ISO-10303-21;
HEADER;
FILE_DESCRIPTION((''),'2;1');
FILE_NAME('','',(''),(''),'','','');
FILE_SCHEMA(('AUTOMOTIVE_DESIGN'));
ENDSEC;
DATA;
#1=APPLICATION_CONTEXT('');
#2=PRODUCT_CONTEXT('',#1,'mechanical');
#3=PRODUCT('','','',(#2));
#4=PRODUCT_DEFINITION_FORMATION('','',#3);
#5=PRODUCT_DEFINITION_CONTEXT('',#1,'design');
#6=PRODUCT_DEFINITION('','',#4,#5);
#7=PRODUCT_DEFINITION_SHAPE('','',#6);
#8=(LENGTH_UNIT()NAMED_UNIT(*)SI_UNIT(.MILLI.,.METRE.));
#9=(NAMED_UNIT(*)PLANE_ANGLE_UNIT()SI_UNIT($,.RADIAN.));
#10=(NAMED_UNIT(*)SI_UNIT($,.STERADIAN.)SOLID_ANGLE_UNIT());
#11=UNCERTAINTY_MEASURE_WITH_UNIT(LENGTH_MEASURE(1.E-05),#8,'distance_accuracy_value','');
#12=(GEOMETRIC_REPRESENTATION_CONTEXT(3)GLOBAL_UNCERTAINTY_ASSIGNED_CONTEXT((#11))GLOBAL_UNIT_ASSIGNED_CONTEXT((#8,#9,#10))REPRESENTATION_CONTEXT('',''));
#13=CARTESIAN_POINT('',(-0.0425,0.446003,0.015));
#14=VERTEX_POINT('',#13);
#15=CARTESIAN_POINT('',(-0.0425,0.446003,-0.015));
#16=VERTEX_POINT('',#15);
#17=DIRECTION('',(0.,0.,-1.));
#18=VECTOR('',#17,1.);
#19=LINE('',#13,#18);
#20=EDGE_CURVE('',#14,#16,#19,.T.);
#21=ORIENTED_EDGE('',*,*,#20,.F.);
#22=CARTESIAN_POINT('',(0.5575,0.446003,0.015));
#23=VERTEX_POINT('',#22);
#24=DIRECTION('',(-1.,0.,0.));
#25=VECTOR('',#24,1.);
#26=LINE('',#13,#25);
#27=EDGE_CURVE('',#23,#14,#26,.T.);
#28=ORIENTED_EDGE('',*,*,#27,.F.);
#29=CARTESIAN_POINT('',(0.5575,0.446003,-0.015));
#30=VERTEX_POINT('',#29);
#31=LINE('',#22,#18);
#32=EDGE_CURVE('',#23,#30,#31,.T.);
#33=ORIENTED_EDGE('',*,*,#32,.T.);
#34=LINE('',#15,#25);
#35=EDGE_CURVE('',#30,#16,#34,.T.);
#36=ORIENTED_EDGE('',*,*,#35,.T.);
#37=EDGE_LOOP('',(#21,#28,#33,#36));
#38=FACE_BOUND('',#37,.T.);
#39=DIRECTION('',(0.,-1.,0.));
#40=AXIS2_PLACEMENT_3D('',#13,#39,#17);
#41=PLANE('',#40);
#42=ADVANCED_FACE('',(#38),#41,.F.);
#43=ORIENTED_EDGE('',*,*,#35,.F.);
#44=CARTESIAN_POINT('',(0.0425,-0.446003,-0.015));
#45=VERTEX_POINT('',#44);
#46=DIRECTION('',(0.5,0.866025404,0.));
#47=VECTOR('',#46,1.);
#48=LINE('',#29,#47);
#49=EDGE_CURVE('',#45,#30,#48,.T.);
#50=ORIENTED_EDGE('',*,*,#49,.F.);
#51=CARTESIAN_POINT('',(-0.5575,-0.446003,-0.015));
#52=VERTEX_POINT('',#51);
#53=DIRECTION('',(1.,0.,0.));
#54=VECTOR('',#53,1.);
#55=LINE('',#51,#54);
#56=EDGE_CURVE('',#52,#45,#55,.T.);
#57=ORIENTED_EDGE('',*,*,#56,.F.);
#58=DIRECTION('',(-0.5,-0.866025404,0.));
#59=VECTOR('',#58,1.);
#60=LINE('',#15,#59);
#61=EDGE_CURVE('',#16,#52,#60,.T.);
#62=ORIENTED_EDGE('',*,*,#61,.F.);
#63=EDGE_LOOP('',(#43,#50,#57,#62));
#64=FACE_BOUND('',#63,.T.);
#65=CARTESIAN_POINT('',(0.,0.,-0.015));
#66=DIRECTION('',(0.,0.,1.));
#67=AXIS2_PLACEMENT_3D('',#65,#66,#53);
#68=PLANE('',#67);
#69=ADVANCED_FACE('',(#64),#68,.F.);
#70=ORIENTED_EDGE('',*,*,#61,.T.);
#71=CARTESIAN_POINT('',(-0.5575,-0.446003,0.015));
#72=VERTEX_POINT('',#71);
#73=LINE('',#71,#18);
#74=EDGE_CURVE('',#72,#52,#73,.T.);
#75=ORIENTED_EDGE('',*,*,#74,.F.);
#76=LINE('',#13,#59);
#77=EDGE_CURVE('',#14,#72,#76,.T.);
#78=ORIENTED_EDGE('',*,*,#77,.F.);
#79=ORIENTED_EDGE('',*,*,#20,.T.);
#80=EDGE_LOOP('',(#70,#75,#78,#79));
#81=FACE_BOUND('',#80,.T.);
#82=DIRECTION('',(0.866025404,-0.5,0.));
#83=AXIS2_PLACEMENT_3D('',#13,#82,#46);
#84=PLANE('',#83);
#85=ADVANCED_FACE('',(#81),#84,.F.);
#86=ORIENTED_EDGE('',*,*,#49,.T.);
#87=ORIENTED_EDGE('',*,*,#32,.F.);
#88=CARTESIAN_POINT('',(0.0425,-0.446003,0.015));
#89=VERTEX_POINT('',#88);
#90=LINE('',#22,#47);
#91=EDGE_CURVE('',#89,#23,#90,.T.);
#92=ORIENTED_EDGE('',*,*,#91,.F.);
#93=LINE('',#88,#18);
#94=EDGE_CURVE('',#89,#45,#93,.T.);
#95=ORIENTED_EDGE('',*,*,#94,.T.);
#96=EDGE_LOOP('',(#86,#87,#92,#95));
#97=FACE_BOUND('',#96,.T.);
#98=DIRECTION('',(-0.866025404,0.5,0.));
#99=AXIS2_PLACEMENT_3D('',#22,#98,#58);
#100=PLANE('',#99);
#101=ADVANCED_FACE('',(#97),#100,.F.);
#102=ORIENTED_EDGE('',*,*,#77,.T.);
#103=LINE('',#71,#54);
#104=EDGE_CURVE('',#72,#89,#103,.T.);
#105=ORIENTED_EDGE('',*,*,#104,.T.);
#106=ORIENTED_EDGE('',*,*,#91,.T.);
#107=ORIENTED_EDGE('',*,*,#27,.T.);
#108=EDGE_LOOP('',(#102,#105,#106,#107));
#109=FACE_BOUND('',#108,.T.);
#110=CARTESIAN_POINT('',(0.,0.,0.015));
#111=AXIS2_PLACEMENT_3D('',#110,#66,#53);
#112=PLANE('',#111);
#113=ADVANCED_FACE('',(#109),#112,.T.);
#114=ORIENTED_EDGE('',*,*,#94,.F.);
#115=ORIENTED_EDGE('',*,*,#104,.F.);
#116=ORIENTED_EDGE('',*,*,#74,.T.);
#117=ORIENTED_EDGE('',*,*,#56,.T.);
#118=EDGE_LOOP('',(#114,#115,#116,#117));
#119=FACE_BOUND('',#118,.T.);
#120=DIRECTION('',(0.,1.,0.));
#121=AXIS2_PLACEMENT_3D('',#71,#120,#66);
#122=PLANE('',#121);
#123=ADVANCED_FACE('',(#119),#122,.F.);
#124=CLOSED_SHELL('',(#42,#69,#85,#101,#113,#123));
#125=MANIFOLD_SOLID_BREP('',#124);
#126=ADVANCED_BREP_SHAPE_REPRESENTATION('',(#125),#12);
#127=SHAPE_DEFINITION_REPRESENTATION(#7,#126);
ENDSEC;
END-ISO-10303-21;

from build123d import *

# Parameters (mm, degrees)
BOSS_EXTRUDE2_DEPTH = 0.015


with BuildPart() as part:
    # Sketch1 → Boss-Extrude2 (new, symmetric)
    with BuildSketch(Plane.XY):
        Polygon((-0.0425, 0.446003083), (0.5575, 0.446003083), (0.0425, -0.446003083), (-0.5575, -0.446003083), align=None)
    extrude(amount=BOSS_EXTRUDE2_DEPTH, both=True)


solid = part.part
